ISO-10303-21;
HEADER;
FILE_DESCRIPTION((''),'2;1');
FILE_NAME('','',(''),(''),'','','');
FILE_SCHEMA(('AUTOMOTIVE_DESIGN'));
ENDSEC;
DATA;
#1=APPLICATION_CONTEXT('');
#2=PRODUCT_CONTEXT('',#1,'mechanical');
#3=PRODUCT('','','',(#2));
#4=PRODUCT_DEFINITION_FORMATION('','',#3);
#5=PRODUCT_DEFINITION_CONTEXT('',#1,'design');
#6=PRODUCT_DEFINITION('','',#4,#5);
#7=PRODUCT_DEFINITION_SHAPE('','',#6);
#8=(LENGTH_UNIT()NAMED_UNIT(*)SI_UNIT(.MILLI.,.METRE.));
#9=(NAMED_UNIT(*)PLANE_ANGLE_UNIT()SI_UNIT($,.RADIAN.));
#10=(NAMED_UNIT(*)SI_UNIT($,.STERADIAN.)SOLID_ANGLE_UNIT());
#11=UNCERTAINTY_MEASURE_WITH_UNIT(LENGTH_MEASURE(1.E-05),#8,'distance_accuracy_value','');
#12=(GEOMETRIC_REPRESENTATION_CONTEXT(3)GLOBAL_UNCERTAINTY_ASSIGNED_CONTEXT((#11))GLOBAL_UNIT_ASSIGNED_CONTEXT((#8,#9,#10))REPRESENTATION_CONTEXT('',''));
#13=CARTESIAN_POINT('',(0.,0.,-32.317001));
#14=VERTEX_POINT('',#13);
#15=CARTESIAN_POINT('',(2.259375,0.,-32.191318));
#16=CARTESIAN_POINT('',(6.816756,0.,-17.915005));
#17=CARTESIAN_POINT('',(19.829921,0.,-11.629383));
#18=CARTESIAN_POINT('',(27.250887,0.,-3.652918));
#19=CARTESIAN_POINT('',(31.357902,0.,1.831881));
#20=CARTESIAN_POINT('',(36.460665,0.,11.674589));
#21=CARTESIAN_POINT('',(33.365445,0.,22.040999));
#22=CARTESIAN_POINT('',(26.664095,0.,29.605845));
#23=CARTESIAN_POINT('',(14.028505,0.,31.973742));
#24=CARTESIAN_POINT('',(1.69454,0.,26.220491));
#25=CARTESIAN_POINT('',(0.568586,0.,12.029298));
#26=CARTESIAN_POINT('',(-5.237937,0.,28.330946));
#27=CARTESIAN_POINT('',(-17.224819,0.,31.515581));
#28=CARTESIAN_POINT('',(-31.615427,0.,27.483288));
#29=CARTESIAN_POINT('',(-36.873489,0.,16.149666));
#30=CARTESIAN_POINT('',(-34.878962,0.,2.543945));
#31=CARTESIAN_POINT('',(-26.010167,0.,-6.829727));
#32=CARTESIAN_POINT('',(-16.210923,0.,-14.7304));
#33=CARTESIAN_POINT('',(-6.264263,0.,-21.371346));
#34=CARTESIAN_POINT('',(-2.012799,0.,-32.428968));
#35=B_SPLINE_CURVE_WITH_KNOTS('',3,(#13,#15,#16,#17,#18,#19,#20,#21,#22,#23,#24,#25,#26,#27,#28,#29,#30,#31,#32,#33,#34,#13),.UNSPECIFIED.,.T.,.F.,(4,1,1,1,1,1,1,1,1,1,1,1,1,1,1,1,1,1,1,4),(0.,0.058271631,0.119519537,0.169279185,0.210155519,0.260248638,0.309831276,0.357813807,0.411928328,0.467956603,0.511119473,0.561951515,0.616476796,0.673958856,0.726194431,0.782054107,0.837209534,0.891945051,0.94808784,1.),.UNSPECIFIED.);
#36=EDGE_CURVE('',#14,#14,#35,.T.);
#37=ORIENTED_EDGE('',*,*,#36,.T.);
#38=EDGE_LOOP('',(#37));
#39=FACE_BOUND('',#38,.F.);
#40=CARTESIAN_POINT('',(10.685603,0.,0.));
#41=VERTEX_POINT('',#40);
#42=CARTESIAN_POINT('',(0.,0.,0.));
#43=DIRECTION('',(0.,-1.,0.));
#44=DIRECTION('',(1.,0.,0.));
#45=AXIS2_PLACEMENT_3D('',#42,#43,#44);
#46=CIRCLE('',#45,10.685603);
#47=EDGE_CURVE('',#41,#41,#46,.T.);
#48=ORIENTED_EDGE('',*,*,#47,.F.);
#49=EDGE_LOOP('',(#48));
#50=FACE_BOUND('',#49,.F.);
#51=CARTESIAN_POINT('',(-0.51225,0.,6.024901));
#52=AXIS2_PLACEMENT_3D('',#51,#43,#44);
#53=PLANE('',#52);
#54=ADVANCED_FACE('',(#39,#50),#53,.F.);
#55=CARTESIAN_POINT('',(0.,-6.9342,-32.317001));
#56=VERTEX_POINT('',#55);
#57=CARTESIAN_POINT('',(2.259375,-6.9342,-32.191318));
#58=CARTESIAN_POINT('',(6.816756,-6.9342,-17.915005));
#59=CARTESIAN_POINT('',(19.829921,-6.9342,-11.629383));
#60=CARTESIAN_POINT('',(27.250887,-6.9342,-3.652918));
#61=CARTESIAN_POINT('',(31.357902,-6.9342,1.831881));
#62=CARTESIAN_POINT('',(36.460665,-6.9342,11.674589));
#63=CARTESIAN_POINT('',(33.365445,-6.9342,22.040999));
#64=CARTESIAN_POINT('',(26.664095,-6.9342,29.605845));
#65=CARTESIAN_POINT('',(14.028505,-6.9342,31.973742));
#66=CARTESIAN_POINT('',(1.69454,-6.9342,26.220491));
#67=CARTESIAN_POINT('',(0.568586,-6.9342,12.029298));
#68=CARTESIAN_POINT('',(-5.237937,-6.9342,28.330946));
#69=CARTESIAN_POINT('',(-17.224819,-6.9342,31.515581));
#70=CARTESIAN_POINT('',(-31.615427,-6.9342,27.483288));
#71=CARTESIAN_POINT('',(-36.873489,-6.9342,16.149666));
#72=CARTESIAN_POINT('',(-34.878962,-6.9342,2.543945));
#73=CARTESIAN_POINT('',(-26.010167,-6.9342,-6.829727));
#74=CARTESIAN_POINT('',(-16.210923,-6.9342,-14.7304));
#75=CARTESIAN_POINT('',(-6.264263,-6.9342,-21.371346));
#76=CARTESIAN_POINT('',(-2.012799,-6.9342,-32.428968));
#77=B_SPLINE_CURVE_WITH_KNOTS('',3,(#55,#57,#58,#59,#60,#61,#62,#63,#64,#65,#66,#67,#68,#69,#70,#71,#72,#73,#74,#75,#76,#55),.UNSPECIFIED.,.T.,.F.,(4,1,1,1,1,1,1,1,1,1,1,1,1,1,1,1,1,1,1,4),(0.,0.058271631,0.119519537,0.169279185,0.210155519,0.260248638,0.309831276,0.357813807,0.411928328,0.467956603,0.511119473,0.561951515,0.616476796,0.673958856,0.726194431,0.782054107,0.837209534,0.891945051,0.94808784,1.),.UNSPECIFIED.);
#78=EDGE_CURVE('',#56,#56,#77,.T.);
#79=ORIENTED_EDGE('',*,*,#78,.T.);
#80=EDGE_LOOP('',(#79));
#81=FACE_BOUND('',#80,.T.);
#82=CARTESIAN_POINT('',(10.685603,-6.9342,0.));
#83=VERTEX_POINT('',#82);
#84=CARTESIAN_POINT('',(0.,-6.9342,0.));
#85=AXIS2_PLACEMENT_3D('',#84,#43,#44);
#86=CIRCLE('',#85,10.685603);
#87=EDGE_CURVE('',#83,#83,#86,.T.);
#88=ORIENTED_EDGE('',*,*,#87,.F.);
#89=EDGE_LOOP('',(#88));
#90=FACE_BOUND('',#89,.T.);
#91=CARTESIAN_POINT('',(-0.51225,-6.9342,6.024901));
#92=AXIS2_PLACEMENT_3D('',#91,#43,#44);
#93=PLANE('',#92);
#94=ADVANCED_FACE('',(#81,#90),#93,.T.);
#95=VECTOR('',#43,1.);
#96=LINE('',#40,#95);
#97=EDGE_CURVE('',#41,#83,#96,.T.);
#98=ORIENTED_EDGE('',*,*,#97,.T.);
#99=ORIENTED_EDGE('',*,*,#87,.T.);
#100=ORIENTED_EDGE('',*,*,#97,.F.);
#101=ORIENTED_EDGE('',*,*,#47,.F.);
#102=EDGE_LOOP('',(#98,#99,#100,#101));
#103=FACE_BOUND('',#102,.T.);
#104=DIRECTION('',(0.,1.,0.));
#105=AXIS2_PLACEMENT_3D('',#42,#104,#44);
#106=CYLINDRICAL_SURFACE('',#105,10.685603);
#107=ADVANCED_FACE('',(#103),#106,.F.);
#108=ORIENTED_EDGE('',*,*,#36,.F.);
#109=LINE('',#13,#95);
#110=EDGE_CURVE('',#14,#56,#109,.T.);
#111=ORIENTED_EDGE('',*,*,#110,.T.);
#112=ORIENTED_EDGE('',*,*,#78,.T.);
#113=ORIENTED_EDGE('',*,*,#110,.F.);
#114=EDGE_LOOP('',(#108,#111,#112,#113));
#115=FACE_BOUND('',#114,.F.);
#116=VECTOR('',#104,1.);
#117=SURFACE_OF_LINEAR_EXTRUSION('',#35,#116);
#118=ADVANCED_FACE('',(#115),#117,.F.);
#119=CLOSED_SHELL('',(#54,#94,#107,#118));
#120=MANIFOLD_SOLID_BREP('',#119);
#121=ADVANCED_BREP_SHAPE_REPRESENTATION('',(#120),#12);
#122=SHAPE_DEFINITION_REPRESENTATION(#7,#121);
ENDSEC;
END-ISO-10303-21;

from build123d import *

# Parameters (mm, degrees)
F0_R     = 10.6856027314
F1_DEPTH = 6.9342


with BuildPart() as f1:
    # F0 (on Front) → F1 (new body)
    with BuildSketch(Plane.XZ):
        with BuildLine():
            add(Edge.make_bspline(
                [(0, -32.3170013726), (2.2593754961, -32.1913183037), (6.8167558899, -17.9150047828), (19.8299213677, -11.6293826474), (27.2508872741, -3.6529175582), (31.3579019094, 1.831880557), (36.460665099, 11.6745887656), (33.3654454137, 22.0409985779), (26.6640952662, 29.6058453705), (14.0285051919, 31.9737420993), (1.6945401626, 26.2204908206), (0.5685863039, 12.0292979028), (-5.2379371229, 28.3309458059), (-17.2248191754, 31.5155811359), (-31.6154267379, 27.4832884356), (-36.8734887352, 16.1496660756), (-34.8789618327, 2.5439452856), (-26.0101671366, -6.8297269658), (-16.2109232881, -14.7303999014), (-6.2642625178, -21.3713461629), (-2.012798678, -32.4289680268), (0, -32.3170013726)],
                knots=[0, 0, 0, 0, 0.0582716308, 0.1195195369, 0.1692791849, 0.210155519, 0.2602486383, 0.3098312763, 0.3578138071, 0.4119283282, 0.4679566031, 0.5111194733, 0.5619515147, 0.6164767955, 0.6739588558, 0.726194431, 0.782054107, 0.8372095342, 0.891945051, 0.9480878403, 1, 1, 1, 1], degree=3))
        make_face()
        Circle(F0_R, mode=Mode.SUBTRACT)
    extrude(amount=F1_DEPTH)


solid = f1.part
